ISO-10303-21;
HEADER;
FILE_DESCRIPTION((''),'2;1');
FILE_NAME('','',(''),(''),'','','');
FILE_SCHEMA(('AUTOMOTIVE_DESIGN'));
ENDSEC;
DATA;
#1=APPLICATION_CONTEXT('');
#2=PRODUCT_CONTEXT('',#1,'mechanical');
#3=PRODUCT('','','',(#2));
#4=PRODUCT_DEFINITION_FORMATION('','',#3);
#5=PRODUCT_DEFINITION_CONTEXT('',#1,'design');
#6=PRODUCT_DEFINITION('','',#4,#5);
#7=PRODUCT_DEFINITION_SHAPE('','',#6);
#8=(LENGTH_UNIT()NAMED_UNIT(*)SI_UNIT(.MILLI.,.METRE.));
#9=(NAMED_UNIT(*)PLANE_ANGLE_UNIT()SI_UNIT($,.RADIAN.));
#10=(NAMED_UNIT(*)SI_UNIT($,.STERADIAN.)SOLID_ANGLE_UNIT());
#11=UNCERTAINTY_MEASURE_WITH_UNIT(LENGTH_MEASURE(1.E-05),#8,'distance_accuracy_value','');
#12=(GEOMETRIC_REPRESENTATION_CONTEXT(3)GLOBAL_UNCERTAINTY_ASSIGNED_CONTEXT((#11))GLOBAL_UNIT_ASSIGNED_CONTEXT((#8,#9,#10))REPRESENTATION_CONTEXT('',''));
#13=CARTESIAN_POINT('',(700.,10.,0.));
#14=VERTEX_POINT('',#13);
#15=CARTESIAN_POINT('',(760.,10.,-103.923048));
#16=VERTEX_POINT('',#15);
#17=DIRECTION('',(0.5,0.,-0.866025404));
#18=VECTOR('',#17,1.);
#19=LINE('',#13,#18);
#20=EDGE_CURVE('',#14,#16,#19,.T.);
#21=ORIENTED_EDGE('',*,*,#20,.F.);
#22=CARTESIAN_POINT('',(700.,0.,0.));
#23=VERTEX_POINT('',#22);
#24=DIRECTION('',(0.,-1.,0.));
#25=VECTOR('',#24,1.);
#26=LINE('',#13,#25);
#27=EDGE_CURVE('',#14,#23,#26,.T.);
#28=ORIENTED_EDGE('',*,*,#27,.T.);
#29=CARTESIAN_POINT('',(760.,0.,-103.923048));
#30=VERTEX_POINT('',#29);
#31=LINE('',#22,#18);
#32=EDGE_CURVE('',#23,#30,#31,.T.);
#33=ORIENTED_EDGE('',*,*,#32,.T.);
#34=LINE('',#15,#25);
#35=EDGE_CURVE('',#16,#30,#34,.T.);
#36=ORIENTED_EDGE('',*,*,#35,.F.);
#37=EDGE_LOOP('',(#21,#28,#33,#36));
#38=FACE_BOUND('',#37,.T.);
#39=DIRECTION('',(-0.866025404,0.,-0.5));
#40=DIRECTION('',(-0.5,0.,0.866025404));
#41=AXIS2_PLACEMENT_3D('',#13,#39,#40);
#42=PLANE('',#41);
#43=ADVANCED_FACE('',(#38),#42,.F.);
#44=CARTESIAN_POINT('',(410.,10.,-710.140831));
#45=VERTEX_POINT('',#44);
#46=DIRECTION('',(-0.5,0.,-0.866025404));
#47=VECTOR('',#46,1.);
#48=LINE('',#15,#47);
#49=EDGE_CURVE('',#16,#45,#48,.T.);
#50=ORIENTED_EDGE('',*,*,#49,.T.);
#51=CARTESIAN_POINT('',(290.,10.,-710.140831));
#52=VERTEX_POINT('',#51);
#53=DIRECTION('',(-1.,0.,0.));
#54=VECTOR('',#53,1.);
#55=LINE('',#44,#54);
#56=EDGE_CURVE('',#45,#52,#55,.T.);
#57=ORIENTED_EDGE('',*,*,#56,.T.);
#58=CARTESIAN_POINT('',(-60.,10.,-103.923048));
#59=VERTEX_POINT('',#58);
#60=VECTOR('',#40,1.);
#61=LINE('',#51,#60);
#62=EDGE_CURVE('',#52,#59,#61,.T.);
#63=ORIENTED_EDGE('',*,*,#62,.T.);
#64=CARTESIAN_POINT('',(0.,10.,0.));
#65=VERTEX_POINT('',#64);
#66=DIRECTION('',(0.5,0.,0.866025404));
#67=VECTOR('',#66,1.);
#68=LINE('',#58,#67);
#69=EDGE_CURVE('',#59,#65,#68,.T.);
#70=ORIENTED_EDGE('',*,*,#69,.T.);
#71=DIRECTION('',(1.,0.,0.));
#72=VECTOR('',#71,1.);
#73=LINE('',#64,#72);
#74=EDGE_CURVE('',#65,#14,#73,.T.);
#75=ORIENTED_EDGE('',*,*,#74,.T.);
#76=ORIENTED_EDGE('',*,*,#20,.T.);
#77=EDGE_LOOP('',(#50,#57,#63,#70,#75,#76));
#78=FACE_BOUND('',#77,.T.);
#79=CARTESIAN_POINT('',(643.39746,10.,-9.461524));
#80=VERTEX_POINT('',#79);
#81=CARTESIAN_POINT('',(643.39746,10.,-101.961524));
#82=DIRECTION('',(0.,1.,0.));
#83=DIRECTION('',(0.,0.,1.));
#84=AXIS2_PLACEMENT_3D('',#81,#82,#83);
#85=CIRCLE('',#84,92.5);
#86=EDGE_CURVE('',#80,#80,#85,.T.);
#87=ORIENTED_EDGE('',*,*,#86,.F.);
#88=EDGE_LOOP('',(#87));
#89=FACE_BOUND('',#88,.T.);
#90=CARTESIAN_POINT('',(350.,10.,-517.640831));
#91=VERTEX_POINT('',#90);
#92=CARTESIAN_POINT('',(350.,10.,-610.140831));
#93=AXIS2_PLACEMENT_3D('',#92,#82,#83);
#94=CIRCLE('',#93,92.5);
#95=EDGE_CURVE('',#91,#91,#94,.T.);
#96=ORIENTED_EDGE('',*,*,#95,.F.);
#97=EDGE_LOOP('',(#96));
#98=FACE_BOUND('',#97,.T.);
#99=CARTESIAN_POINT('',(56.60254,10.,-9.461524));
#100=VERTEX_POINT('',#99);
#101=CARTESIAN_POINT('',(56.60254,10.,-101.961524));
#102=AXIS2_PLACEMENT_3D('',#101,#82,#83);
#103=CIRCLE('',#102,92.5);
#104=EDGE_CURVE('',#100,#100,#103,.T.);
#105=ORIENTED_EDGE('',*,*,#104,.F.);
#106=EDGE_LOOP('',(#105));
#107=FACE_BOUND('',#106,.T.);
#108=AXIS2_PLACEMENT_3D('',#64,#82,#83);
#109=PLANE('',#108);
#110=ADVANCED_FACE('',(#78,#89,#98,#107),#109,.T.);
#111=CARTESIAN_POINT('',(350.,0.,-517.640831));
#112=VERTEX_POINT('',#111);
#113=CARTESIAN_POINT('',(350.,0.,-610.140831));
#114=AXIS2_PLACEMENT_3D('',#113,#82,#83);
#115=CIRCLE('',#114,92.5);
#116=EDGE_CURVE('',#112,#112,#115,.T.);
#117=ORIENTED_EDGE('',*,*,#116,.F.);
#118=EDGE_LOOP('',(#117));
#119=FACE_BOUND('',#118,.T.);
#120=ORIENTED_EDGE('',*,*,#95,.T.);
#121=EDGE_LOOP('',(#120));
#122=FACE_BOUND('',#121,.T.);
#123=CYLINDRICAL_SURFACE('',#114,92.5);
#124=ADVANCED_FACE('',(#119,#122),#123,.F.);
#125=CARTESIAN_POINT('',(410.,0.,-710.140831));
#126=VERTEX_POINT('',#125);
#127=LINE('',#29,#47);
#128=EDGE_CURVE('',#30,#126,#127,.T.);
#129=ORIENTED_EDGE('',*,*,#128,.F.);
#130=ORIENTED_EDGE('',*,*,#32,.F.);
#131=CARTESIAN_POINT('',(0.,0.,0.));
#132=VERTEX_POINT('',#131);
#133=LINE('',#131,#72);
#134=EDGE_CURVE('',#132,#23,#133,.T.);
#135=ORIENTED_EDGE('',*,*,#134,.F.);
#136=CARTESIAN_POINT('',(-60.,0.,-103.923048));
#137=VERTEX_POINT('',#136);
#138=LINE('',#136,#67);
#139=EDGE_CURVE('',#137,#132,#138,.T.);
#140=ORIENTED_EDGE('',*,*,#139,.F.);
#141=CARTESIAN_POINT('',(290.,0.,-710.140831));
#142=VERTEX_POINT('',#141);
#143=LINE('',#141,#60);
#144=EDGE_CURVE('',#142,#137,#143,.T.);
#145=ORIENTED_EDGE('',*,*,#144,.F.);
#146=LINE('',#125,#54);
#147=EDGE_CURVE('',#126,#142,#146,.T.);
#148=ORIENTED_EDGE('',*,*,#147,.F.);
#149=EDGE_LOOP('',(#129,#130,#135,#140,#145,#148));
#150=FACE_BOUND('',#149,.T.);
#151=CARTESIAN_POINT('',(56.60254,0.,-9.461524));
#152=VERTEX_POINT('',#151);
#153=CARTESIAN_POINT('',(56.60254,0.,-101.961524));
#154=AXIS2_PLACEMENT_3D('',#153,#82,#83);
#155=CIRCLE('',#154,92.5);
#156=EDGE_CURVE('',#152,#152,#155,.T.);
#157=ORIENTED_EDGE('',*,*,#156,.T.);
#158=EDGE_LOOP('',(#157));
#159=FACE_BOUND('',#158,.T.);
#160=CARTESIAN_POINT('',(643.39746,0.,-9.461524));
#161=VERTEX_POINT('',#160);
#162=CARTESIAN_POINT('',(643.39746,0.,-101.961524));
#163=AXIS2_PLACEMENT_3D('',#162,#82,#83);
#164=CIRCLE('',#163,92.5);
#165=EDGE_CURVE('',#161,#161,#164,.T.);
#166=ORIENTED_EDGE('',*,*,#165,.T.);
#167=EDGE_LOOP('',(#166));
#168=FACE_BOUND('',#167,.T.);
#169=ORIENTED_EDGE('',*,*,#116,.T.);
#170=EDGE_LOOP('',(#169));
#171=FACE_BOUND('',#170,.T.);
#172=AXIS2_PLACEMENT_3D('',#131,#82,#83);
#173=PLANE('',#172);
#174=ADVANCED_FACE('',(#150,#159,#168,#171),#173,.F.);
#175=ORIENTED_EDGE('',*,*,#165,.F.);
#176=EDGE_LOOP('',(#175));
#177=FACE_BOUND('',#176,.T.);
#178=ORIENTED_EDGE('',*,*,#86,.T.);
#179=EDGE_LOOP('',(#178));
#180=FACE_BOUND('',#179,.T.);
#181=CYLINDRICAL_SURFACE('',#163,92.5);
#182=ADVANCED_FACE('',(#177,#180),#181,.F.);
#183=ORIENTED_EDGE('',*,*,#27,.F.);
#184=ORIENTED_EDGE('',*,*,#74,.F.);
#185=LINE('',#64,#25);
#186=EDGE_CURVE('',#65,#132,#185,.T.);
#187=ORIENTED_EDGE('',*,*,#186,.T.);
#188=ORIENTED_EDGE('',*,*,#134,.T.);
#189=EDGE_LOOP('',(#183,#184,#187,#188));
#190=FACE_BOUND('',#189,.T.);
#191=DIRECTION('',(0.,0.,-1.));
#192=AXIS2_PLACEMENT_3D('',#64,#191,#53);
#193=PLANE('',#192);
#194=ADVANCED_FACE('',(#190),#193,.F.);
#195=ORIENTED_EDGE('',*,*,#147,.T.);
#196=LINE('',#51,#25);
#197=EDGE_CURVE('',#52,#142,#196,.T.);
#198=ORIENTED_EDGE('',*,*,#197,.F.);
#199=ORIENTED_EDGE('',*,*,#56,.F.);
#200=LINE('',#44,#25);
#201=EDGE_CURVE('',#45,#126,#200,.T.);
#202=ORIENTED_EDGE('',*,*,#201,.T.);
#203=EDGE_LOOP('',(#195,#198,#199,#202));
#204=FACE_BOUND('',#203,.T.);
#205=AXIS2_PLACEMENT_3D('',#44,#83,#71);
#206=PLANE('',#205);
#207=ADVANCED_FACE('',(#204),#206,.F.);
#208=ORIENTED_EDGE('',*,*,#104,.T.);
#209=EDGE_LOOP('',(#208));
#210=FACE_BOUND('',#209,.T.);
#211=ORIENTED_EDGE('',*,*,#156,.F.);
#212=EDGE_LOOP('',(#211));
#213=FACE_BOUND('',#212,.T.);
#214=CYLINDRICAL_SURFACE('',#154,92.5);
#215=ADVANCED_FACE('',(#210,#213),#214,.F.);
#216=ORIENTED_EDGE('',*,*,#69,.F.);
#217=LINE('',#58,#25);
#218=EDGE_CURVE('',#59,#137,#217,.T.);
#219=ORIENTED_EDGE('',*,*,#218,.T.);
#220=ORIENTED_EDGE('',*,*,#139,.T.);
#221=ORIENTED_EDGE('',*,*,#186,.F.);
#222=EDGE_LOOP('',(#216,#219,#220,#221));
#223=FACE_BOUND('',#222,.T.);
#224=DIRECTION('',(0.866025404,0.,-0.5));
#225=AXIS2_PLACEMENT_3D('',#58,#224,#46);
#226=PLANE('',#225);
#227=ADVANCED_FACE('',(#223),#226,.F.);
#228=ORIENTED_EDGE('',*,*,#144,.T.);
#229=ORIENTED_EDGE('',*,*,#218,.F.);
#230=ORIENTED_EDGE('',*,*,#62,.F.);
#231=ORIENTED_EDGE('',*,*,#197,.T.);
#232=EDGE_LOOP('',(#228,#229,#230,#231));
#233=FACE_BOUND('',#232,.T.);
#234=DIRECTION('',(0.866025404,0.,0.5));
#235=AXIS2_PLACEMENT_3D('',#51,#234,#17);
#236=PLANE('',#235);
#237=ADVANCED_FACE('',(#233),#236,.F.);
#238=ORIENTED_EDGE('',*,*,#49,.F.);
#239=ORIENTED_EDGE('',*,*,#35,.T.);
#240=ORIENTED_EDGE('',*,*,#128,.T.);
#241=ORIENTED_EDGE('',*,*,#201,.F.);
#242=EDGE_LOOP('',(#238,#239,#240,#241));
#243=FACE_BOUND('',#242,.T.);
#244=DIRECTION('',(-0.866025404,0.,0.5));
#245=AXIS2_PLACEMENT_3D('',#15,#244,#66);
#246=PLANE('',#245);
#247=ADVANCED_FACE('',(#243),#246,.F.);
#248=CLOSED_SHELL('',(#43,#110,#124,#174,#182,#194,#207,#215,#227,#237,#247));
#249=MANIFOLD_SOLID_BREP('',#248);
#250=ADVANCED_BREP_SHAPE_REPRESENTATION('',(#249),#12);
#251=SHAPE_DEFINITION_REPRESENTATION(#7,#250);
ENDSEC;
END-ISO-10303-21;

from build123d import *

# Parameters (mm, degrees)
EXTRUDE_1_DEPTH     = 10
SKETCH_2_R          = 92.5
CUT_EXTRUDE_1_DEPTH = 10


with BuildPart() as part:
    # 草图1 → 凸台-拉伸1 (new body)
    with BuildSketch(Plane(origin=(0, 0, 0), x_dir=(1, 0, 0), z_dir=(0, 1, 0))):
        Polygon((0, 0), (700, 0), (760, 103.923048454), (410, 710.140831103), (290, 710.140831103), (-60, 103.923048454), align=None)
    extrude(amount=EXTRUDE_1_DEPTH)

    # 草图2 → 切除-拉伸1 (cut)
    with BuildSketch(Plane(origin=(0, 10, 0), x_dir=(1, 0, 0), z_dir=(0, 1, 0))):
        with Locations(Location((56.602540378, 101.961524227, 0), (0, 0, 270))):
            Circle(SKETCH_2_R)
        with Locations(Location((643.397459622, 101.961524227, 0), (0, 0, 270))):
            Circle(SKETCH_2_R)
        with Locations(Location((350, 610.140831103, 0), (0, 0, 270))):
            Circle(SKETCH_2_R)
    extrude(amount=-CUT_EXTRUDE_1_DEPTH, mode=Mode.SUBTRACT)


solid = part.part
